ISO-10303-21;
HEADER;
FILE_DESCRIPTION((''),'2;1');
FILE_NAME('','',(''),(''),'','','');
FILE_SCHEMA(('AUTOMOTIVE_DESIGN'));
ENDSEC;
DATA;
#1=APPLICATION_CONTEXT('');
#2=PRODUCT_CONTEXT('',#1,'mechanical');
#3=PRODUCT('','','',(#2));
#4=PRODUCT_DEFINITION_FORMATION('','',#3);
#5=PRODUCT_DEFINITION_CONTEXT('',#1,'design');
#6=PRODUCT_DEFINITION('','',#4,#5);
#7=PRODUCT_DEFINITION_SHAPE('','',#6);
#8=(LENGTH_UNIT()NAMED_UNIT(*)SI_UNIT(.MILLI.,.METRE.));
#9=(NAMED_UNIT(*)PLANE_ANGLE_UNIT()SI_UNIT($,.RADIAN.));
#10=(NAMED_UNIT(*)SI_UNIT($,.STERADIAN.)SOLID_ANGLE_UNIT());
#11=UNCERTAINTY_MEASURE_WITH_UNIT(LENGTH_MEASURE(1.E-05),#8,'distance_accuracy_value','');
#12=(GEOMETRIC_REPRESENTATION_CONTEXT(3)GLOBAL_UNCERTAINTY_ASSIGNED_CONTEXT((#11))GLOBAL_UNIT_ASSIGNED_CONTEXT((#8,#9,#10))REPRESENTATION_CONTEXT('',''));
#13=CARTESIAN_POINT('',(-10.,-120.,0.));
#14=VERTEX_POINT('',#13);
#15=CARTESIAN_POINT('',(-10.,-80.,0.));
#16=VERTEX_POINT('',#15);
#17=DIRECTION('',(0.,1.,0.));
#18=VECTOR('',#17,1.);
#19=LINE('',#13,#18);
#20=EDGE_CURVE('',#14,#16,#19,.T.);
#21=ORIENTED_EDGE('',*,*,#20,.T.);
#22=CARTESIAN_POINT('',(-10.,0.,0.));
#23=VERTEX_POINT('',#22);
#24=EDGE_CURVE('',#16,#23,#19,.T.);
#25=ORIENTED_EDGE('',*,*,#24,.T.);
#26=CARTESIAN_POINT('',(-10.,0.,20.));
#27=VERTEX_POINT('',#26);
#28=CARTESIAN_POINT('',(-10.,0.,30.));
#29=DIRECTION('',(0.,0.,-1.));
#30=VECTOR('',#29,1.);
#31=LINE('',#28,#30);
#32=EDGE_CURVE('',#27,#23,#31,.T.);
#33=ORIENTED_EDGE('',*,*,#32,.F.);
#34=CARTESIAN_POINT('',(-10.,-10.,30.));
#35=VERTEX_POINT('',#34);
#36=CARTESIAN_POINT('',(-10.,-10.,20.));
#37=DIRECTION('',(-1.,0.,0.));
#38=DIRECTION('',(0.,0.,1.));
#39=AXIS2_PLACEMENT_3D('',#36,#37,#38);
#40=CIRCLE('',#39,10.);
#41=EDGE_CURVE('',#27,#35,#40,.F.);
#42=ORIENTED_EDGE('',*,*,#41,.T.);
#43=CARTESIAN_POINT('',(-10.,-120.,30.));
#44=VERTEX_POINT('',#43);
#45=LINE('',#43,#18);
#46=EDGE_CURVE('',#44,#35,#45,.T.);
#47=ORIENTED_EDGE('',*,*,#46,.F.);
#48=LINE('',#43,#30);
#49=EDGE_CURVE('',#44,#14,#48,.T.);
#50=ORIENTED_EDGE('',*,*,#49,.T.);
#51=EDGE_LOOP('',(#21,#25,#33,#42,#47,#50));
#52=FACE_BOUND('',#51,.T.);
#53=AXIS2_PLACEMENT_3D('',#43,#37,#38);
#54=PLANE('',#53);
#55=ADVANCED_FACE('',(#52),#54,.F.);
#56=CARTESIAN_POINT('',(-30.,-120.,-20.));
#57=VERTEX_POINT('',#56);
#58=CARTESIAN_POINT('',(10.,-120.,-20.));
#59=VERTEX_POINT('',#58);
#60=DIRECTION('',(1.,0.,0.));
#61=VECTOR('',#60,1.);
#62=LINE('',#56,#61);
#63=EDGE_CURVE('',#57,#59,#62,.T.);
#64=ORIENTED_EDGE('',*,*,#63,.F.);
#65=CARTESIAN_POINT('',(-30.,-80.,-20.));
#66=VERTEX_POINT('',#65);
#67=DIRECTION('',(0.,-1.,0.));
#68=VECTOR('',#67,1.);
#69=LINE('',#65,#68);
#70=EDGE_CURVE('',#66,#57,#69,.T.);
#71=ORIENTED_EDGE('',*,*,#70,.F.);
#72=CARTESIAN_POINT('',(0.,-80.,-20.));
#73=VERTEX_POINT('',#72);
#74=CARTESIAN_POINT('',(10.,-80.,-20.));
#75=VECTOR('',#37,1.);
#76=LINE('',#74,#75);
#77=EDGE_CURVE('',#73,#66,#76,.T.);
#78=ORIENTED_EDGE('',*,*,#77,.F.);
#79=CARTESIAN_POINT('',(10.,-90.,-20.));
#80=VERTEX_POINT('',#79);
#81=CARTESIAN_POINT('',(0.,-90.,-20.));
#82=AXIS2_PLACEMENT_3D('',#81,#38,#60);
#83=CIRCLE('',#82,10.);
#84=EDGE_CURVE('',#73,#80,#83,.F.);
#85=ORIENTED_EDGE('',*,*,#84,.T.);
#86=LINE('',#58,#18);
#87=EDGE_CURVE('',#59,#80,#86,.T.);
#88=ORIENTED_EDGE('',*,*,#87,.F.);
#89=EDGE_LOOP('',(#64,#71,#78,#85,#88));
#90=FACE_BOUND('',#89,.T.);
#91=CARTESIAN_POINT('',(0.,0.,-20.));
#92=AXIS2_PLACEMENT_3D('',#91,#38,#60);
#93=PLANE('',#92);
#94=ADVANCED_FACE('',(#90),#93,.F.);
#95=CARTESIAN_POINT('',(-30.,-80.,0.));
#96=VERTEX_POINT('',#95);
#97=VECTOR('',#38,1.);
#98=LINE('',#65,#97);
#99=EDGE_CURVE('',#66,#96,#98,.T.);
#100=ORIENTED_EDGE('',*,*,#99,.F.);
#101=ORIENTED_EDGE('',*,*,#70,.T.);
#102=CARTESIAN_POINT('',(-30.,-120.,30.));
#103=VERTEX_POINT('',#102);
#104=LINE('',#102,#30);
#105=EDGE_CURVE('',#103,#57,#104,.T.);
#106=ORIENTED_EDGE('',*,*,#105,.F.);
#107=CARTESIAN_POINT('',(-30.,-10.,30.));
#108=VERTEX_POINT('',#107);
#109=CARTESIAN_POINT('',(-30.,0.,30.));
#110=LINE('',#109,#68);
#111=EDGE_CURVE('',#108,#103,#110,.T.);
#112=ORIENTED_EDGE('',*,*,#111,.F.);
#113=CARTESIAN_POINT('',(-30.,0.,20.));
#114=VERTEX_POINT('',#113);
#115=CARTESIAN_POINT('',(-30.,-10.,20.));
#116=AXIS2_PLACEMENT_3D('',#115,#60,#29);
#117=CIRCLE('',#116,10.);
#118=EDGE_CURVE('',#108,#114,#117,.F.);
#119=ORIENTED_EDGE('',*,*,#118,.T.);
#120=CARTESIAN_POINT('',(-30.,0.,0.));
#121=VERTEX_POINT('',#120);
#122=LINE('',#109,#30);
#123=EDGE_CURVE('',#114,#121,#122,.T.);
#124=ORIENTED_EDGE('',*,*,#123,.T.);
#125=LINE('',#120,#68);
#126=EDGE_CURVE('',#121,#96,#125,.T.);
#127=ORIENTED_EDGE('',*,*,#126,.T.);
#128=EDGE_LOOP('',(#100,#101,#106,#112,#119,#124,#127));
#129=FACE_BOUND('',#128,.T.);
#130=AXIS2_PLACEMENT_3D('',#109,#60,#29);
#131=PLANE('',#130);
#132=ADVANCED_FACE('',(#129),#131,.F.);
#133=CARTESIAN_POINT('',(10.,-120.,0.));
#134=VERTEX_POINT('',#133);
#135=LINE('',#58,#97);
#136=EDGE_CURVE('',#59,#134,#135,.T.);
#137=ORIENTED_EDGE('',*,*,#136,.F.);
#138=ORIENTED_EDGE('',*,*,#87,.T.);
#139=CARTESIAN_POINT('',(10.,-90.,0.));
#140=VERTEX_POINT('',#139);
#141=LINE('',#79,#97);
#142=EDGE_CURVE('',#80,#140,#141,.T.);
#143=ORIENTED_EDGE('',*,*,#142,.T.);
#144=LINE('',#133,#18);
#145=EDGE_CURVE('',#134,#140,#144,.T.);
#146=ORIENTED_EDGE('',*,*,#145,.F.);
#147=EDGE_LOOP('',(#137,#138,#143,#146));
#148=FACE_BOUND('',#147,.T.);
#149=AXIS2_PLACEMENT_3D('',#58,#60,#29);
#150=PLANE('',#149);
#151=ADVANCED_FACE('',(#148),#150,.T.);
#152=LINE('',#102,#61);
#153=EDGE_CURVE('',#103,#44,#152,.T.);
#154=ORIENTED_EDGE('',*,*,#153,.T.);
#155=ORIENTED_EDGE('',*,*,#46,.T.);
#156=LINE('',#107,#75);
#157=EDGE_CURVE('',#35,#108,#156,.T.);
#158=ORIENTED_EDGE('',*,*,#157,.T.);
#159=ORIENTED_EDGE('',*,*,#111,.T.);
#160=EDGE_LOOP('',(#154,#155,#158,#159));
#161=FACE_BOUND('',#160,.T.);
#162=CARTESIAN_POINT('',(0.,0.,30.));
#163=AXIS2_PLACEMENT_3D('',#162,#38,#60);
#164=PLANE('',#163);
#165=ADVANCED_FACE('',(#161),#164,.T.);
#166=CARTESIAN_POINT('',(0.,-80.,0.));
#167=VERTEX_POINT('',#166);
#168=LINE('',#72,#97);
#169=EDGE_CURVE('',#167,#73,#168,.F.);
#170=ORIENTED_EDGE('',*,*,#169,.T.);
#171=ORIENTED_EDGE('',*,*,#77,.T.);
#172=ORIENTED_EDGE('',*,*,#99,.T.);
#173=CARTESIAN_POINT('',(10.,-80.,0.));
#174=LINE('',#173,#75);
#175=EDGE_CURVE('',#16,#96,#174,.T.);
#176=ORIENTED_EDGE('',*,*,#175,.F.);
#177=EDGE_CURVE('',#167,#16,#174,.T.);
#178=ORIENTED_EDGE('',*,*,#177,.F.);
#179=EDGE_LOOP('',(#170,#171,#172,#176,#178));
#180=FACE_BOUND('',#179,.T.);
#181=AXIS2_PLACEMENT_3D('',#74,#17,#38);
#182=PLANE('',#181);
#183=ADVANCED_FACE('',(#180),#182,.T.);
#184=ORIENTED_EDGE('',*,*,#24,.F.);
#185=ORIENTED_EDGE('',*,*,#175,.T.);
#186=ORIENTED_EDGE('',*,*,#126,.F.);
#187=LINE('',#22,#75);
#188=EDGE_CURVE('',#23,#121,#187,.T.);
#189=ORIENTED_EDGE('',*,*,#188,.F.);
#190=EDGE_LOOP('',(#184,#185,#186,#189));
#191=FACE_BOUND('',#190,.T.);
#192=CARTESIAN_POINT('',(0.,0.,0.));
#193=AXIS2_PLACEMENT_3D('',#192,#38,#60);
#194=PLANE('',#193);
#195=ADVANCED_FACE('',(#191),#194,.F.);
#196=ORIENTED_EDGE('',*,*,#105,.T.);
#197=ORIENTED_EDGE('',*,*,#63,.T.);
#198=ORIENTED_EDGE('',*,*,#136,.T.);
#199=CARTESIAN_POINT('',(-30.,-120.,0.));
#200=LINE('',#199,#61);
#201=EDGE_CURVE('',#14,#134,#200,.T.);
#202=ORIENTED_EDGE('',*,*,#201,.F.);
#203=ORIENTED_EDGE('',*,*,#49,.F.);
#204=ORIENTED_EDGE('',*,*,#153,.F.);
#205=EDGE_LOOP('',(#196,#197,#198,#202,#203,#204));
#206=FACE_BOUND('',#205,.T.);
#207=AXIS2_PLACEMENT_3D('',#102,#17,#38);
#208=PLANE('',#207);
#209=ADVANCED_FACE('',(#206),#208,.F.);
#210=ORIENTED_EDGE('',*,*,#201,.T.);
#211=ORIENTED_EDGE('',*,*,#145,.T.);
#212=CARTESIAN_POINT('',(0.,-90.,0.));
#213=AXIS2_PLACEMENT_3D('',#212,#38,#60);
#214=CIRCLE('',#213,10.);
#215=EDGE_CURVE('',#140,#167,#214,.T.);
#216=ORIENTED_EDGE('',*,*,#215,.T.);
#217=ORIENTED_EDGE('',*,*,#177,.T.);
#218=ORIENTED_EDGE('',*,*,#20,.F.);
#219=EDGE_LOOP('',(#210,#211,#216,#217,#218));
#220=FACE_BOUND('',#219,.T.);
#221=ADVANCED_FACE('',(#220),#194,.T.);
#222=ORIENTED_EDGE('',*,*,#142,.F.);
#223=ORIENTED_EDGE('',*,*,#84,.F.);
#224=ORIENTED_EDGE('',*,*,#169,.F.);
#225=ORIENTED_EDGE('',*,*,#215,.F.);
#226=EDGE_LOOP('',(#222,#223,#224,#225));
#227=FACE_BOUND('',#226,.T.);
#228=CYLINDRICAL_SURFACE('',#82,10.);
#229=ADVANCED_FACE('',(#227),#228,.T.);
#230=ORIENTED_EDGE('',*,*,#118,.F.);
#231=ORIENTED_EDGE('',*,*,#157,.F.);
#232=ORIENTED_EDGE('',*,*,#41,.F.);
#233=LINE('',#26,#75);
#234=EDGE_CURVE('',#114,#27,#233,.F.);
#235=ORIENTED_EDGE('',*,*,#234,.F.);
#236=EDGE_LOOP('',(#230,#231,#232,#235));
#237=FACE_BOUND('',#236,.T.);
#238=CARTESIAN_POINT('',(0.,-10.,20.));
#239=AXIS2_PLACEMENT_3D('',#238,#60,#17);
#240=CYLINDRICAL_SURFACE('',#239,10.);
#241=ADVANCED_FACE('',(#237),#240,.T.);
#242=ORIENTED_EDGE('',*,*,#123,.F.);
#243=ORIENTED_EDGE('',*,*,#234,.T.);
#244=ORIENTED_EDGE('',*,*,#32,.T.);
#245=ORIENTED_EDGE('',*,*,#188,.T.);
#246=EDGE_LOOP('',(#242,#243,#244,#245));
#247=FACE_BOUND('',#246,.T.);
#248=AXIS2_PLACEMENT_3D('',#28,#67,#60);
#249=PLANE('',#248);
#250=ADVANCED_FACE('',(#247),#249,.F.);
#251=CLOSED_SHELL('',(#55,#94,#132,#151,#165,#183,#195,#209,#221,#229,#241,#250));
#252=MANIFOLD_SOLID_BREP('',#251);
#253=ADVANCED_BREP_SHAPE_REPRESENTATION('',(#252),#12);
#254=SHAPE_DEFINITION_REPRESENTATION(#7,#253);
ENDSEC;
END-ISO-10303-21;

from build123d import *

# Parameters (mm, degrees)
SKETCH1_W           = 20
SKETCH1_H           = 120
BOSS_EXTRUDE1_DEPTH = 30
SKETCH2_W           = 40
SKETCH2_H           = 40
BOSS_EXTRUDE2_DEPTH = 20
FILLET1_R           = 10


with BuildPart() as part:
    # Sketch1 → Boss-Extrude1 (new body)
    with BuildSketch(Plane.XY):
        with Locations((-20, -60)):
            Rectangle(SKETCH1_W, SKETCH1_H)
    extrude(amount=BOSS_EXTRUDE1_DEPTH)

    # Sketch2 → Boss-Extrude2 (add)
    with BuildSketch(Plane.XY):
        with Locations((-10, -100)):
            Rectangle(SKETCH2_W, SKETCH2_H)
    extrude(amount=-BOSS_EXTRUDE2_DEPTH)

    # Fillet1
    fillet1_edges = [part.edges().sort_by_distance(p)[0] for p in [
        (10, -80, -10),
        (-20, 0, 30),
    ]]
    fillet(fillet1_edges, radius=FILLET1_R)


solid = part.part
